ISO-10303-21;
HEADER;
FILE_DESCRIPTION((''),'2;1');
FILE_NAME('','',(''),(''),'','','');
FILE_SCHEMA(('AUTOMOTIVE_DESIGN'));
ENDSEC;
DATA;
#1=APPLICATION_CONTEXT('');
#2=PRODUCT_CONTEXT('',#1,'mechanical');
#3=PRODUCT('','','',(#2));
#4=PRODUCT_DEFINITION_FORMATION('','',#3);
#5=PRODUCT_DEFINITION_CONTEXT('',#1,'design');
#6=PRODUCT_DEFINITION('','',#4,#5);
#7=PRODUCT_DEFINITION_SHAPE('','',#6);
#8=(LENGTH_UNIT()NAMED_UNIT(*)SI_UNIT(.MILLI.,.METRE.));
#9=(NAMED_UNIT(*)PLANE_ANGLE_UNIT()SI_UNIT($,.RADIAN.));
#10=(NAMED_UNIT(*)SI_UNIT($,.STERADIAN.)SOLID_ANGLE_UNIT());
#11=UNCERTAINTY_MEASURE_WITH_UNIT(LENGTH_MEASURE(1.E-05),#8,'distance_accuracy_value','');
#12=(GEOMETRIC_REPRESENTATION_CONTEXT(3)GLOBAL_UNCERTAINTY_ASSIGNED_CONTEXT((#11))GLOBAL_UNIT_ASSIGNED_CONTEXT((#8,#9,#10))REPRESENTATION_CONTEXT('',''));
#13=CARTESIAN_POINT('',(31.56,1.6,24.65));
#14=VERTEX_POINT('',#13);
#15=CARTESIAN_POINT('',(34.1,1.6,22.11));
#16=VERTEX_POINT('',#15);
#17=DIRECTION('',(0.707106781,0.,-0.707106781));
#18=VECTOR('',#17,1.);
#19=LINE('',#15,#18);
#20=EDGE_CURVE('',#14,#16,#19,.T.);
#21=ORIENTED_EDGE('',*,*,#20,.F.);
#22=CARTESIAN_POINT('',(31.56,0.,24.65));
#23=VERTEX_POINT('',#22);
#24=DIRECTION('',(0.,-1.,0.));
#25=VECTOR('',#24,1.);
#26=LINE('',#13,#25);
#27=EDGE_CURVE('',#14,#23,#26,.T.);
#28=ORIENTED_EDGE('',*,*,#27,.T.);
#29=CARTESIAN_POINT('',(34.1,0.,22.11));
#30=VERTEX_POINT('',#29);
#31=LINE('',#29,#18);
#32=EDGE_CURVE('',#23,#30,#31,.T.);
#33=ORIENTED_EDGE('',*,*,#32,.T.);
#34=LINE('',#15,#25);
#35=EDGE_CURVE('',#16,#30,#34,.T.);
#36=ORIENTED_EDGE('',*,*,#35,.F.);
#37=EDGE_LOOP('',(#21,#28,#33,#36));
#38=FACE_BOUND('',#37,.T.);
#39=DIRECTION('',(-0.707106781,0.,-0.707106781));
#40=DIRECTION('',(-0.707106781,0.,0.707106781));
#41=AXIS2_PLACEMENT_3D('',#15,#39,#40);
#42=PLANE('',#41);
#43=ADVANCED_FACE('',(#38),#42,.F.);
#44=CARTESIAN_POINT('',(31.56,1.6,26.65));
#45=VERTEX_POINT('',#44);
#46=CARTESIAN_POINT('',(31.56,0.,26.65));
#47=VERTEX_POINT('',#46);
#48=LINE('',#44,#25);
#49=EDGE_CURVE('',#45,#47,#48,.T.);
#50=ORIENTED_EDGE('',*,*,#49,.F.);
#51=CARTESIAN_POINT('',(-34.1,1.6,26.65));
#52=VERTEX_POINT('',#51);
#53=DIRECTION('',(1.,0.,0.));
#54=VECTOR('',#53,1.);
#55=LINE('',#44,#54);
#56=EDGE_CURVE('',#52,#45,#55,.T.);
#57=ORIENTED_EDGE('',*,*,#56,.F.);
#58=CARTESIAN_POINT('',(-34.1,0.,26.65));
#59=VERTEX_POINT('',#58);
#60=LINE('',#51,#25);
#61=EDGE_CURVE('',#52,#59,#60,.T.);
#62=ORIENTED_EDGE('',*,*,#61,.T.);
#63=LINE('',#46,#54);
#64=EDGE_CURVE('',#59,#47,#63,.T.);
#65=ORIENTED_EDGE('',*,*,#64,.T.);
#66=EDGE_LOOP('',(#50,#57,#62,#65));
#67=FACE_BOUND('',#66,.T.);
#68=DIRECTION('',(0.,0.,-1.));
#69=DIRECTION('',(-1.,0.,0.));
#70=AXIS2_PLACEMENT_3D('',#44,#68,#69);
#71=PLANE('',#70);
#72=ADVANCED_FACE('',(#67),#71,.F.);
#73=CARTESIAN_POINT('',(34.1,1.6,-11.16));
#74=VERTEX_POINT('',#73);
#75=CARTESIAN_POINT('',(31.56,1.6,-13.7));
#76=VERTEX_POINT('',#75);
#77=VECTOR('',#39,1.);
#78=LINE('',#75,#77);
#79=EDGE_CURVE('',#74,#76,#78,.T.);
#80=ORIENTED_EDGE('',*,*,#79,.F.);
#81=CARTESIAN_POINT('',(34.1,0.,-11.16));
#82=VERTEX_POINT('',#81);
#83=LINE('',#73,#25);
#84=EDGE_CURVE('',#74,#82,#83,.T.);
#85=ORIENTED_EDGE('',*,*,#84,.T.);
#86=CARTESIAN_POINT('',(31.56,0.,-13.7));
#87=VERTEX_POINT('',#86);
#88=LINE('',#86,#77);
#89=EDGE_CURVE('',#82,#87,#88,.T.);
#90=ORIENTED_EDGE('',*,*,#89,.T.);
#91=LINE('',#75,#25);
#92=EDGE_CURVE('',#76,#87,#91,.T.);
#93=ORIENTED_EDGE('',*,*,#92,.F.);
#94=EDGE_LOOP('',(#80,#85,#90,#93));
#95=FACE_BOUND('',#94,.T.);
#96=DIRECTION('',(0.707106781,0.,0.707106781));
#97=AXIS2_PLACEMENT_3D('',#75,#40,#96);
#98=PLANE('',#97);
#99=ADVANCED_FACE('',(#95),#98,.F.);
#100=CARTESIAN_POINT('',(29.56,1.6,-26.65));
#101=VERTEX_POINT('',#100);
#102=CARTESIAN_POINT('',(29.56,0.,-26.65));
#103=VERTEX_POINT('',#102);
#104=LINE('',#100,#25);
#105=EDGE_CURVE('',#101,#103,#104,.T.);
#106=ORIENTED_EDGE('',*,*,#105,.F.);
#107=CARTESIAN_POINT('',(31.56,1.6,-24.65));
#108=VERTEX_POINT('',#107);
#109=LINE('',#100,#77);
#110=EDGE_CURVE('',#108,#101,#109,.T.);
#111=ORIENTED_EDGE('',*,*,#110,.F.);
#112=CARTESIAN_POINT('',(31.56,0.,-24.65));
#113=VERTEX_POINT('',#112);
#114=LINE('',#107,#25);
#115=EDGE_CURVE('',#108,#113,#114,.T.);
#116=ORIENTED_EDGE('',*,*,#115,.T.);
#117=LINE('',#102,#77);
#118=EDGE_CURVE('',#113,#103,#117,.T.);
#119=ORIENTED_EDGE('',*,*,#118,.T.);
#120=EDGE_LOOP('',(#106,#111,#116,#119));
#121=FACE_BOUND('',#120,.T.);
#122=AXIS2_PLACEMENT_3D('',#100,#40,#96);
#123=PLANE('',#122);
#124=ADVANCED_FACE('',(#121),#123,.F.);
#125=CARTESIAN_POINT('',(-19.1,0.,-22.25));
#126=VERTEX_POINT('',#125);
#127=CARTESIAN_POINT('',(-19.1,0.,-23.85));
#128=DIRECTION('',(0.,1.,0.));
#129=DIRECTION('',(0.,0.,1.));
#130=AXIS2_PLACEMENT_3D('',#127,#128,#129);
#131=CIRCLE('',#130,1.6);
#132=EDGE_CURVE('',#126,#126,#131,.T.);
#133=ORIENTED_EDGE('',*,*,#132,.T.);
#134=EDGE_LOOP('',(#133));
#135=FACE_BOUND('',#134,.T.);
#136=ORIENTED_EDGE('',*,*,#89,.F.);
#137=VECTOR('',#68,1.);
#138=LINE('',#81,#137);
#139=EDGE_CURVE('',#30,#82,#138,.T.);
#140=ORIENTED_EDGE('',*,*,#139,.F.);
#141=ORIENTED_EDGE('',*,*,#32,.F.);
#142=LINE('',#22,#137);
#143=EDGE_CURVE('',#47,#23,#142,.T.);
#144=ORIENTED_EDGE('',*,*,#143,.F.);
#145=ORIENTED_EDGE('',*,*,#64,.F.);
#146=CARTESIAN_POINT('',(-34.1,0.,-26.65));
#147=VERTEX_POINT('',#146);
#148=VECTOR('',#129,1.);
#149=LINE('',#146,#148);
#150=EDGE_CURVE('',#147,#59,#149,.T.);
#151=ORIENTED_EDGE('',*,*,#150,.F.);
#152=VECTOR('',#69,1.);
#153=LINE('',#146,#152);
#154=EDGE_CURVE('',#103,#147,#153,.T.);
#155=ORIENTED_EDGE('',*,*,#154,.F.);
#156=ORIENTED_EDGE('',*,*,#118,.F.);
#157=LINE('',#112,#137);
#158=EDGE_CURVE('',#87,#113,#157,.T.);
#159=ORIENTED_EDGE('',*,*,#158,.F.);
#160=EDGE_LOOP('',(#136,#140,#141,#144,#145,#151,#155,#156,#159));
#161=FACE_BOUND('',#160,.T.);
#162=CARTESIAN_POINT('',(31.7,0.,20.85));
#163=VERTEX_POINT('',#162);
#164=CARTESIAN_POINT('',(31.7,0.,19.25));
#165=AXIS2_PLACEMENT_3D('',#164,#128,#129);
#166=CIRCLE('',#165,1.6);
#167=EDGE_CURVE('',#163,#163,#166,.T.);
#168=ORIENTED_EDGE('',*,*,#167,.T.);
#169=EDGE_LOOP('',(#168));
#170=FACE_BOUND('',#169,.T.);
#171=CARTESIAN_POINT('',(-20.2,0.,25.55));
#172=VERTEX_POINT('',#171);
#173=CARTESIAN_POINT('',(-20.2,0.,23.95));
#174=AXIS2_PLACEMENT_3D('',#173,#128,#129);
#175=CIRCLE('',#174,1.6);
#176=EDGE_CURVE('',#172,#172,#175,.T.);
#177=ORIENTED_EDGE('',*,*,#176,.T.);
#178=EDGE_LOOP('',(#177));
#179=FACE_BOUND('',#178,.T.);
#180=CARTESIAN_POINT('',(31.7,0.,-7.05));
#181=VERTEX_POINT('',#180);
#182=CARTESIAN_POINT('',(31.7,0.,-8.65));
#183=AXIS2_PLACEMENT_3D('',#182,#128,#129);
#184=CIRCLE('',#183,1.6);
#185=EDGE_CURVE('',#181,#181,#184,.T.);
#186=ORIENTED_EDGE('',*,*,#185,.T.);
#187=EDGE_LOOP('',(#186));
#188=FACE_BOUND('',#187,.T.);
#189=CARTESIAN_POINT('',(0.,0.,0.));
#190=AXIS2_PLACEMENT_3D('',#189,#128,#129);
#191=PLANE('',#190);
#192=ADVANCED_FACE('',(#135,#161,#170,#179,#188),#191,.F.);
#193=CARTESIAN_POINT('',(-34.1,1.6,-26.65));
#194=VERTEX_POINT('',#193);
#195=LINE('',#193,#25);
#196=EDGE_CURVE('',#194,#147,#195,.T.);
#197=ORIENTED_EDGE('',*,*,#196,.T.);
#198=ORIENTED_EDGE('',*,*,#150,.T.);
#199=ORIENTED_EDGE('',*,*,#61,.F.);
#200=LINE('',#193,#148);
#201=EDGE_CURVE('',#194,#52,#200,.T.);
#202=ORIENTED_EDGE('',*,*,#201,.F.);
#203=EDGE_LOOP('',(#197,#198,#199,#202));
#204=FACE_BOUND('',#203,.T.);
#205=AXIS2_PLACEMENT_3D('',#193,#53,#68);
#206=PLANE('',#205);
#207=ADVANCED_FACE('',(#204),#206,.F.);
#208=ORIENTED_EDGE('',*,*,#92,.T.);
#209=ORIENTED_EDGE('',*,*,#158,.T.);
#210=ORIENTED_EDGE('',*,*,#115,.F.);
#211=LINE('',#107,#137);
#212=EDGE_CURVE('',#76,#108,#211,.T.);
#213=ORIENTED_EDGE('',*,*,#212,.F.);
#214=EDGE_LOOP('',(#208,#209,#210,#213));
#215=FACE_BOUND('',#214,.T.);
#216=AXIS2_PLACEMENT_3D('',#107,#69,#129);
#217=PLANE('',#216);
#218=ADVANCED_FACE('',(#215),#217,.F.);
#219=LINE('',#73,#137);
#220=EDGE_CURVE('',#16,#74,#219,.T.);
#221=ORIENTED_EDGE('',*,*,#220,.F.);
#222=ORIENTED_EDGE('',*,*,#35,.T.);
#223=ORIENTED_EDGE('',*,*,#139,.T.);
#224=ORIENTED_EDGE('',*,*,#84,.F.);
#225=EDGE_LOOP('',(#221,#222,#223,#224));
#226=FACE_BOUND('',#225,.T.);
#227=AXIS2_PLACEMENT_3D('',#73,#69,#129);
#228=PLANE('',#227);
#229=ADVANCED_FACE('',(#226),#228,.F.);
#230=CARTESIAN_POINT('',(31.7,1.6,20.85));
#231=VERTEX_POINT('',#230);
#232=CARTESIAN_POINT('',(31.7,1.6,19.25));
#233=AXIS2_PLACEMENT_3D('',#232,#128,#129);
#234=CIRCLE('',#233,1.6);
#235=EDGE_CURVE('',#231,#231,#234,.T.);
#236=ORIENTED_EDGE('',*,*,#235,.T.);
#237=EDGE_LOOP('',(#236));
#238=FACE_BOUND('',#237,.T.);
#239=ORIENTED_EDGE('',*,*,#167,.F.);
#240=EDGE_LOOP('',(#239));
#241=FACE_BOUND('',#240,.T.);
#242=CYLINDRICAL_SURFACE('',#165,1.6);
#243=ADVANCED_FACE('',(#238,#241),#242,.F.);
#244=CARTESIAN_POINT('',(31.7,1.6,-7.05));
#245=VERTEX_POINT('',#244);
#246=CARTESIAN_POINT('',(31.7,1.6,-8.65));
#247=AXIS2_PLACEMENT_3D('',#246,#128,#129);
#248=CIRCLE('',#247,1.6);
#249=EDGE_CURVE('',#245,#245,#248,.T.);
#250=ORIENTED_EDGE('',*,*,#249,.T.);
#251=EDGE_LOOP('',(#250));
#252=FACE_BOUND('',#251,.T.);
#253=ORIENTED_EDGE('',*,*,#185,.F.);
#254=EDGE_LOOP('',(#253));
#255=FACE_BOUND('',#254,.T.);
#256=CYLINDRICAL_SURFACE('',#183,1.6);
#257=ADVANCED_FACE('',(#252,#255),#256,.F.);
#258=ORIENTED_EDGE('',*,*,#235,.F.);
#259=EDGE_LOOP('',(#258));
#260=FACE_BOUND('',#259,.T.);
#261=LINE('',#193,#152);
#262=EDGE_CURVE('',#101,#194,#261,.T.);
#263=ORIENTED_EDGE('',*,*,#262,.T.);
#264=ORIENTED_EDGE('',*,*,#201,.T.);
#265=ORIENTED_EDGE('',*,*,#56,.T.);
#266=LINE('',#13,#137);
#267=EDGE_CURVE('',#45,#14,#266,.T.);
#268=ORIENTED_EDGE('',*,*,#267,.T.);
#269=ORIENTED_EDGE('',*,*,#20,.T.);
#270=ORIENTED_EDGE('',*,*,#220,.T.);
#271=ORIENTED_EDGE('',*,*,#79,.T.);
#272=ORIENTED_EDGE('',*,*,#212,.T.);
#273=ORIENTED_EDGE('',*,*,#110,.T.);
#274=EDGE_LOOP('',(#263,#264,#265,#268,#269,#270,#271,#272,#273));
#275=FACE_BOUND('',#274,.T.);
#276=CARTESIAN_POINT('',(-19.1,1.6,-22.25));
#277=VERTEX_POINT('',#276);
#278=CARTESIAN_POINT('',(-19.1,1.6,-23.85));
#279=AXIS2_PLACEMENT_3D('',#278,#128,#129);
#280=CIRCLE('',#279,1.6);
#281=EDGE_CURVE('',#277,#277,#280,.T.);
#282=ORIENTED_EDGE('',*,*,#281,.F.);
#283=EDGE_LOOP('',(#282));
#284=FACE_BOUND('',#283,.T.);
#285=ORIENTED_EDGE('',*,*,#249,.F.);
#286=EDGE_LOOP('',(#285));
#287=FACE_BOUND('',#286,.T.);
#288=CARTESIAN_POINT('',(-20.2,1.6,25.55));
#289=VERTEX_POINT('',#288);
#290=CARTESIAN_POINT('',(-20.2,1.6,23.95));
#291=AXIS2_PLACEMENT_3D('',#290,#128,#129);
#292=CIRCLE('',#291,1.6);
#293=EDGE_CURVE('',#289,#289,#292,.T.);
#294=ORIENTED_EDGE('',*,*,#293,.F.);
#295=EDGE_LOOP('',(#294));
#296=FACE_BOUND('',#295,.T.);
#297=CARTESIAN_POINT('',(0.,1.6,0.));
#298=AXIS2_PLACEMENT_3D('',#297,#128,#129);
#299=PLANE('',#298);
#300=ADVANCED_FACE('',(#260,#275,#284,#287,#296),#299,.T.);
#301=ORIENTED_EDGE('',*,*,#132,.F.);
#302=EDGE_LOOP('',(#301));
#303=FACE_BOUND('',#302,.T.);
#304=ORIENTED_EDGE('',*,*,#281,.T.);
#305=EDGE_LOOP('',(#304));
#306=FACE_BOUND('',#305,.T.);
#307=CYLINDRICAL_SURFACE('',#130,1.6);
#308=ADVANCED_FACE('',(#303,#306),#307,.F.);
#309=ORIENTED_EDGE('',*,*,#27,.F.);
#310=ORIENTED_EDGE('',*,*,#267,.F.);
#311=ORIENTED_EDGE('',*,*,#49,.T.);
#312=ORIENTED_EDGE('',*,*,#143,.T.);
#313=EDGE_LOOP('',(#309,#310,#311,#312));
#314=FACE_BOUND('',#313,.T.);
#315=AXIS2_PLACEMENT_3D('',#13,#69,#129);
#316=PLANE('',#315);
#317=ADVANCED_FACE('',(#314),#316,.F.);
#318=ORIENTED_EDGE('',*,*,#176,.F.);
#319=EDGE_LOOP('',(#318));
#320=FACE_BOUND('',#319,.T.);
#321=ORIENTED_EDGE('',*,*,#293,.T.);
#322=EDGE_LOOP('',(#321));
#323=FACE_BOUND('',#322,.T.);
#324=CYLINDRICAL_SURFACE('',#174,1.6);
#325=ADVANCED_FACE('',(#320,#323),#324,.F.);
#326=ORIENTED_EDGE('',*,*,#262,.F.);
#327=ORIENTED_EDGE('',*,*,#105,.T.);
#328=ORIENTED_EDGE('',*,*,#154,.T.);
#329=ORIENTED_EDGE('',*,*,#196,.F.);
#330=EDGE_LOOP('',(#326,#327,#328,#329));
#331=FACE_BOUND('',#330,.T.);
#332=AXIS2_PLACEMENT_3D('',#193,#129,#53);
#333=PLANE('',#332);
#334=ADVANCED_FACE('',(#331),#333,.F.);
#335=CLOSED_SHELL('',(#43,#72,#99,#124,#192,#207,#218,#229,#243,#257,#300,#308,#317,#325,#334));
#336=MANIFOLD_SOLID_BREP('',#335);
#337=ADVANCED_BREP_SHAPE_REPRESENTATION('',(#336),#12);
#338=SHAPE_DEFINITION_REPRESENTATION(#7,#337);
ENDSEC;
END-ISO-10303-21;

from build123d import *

# Parameters (mm, degrees)
BOSS_EXTRUDE1_DEPTH = 1.6
SKETCH4_R           = 1.6
CUT_EXTRUDE1_DEPTH  = 1.6


with BuildPart() as part:
    # Sketch3 → Boss-Extrude1 (new body)
    with BuildSketch(Plane(origin=(0, 0, 0), x_dir=(1, 0, 0), z_dir=(0, 1, 0))):
        Polygon((-34.1, 26.65), (29.56, 26.65), (31.56, 24.65), (31.56, 13.7), (34.1, 11.16), (34.1, -22.11), (31.56, -24.65), (31.56, -26.65), (-34.1, -26.65), align=None)
    extrude(amount=BOSS_EXTRUDE1_DEPTH)

    # Sketch4 → Cut-Extrude1 (cut)
    with BuildSketch(Plane(origin=(0, 1.6, 0), x_dir=(1, 0, 0), z_dir=(0, 1, 0))):
        with Locations(Location((-19.1, 23.85, 0), (0, 0, 270))):
            Circle(SKETCH4_R)
        with Locations(Location((31.7, 8.65, 0), (0, 0, 270))):
            Circle(SKETCH4_R)
        with Locations(Location((31.7, -19.25, 0), (0, 0, 270))):
            Circle(SKETCH4_R)
        with Locations(Location((-20.2, -23.95, 0), (0, 0, 270))):
            Circle(SKETCH4_R)
    extrude(amount=-CUT_EXTRUDE1_DEPTH, mode=Mode.SUBTRACT)


solid = part.part
